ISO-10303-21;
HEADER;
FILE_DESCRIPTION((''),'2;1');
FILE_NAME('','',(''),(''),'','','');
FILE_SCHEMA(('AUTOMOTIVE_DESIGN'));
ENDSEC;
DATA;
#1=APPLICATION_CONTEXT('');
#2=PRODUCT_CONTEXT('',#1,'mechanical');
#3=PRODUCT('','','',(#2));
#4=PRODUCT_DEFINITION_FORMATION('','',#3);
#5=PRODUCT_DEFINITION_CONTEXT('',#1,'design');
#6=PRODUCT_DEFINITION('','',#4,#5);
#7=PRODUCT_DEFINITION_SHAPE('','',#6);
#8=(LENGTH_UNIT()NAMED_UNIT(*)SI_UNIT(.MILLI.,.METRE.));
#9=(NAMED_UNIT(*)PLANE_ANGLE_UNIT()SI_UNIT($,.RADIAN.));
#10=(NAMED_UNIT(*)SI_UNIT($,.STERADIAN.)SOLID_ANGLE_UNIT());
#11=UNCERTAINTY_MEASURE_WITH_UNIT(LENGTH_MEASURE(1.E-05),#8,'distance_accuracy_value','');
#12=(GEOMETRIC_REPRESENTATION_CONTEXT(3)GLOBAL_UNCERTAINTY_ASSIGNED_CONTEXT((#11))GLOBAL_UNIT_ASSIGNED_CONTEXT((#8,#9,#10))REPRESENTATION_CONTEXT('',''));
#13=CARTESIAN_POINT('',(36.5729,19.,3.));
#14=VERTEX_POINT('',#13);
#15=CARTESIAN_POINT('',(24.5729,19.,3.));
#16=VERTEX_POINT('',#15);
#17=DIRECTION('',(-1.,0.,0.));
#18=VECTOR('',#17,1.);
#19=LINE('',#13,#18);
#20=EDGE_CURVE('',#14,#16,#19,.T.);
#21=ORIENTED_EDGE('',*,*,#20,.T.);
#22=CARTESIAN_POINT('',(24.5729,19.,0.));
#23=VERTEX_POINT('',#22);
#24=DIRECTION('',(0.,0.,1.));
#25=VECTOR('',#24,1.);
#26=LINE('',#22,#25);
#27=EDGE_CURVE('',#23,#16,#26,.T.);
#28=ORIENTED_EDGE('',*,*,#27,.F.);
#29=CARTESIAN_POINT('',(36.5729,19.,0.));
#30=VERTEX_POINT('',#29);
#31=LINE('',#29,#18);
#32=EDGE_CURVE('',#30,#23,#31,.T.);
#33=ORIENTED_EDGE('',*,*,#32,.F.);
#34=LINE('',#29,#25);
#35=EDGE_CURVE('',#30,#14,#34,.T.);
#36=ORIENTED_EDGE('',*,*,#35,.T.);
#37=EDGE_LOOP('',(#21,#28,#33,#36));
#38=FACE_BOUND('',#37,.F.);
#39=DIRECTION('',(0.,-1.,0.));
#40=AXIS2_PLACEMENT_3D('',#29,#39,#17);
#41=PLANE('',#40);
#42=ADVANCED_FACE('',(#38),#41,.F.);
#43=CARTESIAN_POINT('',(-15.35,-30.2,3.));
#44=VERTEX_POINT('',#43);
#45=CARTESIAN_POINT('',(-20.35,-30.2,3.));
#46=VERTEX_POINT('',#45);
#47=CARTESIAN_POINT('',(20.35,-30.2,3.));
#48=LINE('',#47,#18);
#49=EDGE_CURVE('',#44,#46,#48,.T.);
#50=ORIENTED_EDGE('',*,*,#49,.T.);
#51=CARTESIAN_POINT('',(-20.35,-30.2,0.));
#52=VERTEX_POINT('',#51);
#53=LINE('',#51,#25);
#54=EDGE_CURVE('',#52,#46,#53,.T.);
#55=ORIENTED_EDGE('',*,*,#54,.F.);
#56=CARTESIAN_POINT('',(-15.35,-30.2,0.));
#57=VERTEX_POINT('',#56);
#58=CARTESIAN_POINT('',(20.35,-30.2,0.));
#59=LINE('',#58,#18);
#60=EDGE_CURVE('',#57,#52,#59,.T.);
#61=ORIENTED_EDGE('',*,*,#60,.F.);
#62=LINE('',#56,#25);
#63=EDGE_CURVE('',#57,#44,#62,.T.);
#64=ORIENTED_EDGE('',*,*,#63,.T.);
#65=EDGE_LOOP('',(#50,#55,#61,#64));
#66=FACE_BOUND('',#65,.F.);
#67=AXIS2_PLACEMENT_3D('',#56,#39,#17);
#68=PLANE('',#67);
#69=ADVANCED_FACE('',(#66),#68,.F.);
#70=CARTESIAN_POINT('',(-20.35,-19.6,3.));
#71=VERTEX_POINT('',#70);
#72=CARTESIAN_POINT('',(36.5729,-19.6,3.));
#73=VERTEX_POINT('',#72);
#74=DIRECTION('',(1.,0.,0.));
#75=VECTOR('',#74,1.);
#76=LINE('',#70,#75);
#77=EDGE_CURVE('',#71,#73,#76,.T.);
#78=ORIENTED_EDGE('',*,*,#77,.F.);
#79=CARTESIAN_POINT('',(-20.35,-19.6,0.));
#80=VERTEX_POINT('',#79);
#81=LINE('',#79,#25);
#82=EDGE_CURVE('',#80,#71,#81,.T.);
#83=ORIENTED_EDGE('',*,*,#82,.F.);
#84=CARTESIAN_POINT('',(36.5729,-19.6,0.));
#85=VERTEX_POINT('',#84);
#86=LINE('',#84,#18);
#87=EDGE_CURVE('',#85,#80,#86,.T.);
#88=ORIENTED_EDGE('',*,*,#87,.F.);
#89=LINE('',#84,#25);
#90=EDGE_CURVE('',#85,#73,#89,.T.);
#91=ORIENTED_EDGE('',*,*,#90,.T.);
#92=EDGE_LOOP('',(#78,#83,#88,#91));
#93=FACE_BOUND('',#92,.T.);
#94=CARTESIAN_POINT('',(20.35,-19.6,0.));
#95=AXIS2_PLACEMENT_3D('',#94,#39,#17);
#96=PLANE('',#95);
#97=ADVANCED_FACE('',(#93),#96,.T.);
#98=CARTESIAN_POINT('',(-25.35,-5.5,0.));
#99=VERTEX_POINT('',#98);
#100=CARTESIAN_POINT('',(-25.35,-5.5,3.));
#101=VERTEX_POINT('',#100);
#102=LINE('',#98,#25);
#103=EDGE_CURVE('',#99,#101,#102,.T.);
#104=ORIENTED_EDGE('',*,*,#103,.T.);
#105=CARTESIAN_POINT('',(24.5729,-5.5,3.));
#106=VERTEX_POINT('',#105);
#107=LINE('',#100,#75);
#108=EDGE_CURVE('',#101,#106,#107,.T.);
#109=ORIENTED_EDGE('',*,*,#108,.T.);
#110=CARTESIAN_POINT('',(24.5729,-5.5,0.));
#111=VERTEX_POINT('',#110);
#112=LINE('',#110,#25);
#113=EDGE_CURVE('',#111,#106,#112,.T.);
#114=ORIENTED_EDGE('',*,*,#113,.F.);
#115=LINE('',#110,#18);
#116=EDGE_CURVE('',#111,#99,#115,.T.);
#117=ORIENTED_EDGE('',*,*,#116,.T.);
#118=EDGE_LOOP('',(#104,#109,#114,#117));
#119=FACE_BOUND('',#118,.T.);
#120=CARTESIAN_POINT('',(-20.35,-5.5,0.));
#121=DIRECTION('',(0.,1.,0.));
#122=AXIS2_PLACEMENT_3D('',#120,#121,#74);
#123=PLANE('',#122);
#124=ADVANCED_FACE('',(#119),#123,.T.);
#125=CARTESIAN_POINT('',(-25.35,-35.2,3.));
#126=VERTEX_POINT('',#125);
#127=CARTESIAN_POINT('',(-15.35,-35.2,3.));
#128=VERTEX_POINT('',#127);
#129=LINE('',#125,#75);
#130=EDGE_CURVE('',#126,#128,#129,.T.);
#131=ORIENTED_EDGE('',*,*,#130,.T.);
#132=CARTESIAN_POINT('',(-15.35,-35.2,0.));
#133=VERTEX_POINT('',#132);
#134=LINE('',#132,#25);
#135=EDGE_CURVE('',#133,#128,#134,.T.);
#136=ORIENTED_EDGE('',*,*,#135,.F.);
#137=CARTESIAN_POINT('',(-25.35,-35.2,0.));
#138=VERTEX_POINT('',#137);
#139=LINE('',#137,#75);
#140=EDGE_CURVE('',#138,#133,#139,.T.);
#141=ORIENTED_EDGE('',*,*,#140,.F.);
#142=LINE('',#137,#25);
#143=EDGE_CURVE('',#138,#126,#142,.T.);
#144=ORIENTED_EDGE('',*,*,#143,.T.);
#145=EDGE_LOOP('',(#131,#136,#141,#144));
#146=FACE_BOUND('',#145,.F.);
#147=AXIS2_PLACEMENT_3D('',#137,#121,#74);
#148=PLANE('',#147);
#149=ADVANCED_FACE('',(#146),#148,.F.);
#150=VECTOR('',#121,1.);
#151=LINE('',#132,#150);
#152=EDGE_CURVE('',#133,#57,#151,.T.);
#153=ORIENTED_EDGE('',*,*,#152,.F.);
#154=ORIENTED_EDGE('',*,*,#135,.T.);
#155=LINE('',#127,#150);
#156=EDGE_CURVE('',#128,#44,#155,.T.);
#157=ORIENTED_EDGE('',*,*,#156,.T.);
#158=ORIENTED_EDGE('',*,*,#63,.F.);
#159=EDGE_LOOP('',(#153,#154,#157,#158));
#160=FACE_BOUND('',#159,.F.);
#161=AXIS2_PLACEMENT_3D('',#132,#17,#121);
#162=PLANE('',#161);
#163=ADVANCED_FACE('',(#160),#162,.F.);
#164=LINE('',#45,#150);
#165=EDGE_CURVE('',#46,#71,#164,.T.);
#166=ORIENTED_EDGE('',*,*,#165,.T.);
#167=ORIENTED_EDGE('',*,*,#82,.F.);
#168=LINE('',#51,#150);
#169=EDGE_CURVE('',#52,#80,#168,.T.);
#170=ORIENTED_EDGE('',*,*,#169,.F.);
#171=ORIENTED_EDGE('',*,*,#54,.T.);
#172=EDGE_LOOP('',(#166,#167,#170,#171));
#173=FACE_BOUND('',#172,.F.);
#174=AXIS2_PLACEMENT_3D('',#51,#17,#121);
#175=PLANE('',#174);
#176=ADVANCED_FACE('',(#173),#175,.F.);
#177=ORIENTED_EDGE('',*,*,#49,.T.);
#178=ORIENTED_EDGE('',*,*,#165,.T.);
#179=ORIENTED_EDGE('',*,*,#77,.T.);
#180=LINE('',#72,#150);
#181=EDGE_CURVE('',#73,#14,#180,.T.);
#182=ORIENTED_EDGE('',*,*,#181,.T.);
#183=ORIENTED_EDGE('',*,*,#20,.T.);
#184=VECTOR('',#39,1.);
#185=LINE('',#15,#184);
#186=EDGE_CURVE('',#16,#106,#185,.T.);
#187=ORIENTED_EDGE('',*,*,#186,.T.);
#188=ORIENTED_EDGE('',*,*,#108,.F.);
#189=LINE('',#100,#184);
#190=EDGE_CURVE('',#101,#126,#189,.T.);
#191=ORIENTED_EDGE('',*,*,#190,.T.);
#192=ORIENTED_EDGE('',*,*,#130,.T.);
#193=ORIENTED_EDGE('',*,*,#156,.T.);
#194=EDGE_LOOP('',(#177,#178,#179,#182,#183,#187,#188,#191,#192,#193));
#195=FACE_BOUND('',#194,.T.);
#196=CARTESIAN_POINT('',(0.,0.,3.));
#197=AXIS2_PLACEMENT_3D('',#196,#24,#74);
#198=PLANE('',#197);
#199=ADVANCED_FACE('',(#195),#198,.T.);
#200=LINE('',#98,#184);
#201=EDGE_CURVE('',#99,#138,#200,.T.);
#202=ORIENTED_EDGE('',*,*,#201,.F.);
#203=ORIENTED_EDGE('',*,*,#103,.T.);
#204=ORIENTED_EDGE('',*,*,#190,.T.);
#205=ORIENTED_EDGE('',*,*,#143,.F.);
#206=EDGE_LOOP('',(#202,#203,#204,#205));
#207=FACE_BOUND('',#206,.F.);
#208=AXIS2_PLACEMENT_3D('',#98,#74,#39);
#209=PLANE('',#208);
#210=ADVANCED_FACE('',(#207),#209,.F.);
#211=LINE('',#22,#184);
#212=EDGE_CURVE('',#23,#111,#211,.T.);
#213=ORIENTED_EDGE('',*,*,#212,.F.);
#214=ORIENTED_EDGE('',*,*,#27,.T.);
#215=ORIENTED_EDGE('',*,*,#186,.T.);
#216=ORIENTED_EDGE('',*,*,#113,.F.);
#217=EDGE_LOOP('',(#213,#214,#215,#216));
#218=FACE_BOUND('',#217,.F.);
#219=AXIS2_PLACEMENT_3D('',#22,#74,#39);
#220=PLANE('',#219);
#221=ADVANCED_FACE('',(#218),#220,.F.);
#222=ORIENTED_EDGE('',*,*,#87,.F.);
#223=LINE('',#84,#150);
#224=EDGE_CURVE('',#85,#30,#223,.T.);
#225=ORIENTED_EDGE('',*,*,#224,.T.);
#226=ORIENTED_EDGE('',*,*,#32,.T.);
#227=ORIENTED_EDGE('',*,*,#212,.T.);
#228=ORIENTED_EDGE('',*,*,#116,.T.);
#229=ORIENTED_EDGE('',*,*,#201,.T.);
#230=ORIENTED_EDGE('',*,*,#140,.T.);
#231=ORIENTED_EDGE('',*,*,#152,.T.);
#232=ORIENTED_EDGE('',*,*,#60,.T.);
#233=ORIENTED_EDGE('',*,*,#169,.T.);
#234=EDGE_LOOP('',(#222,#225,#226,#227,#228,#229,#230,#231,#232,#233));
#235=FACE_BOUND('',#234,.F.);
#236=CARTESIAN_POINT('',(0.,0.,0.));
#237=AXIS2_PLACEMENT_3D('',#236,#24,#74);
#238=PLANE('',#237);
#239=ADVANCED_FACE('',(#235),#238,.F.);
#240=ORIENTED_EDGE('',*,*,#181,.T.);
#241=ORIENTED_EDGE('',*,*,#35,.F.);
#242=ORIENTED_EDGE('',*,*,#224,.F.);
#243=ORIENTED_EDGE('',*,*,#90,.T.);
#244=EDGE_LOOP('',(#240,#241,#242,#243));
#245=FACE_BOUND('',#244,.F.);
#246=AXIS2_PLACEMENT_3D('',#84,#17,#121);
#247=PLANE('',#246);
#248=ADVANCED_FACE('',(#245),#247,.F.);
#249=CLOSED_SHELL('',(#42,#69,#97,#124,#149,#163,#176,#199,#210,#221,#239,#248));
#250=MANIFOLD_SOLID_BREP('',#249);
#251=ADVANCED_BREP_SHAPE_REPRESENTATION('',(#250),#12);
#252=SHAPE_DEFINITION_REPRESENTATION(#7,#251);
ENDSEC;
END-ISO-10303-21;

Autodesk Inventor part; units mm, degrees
ref_plane "YZ Plane" through (0, 0, 0) normal (1, 0, 0) x (0, 1, 0)
ref_plane "XZ Plane" through (0, 0, 0) normal (0, 1, 0) x (-1, 0, 0)
ref_plane "XY Plane" through (0, 0, 0) normal (0, 0, 1) x (1, 0, 0)
ref_plane "Work Plane1" through (0, 0, 0) normal (0, 0, 1) x (1, 0, 0)
sketch "Sketch1" plane through (0, 0, 0) normal (0, 0, 1) x (1, 0, 0)
  line L0 (10, -5.5) -> (10, 39) construction
  line L1 (-10, 39) -> (10, 39) construction
  line L2 (-10, -5.5) -> (-10, 39) construction
  line L3 (-20.35, -5.5) -> (-10, -5.5) projected
  line L4 (-20.35, -19.6) -> (-20.35, -5.5) projected
  line L5 (20.35, -19.6) -> (-20.35, -19.6) projected
  line L6 (20.35, -19.6) -> (20.35, -5.5) projected
  line L7 (10, -5.5) -> (20.35, -5.5) projected
  line L8 (-20.35, -30.2) -> (-20.35, 45.6) projected
  line L9 (20.35, -30.2) -> (-20.35, -30.2) projected
  line L10 (-10, -5.5) -> (10, -5.5)
  line L11 (-20.35, -5.5) -> (-25.35, -5.5)
  line L12 (-25.35, -5.5) -> (-25.35, -35.2)
  line L13 (-25.35, -35.2) -> (-15.35, -35.2)
  line L14 (-15.35, -35.2) -> (-15.35, -30.2)
  line L15 (20.35, -19.6) -> (36.5729, -19.6)
  line L16 (36.5729, -19.6) -> (36.5729, 19)
  line L17 (36.5729, 19) -> (24.5729, 19)
  line L18 (24.5729, 19) -> (24.5729, -5.5)
  line L19 (24.5729, -5.5) -> (20.35, -5.5)
  line L20 (36.5729, 7) -> (24.5729, 7) construction
  line L21 (24.5729, 7) -> (24.5729, 19) construction
  line L22 (24.5729, 19) -> (36.5729, 19) construction
  line L23 (36.5729, 19) -> (36.5729, 7) construction
  point P0 (0, 0)
  dimension "d0" = 5
  dimension "d1" = 5
  dimension "d2" = 5
extrude "Extrusion1" add sketch "Sketch1" along normal blind 3
sketch "Sketch2" plane through (0, 0, 3) normal (0, 0, 1) x (1, 0, 0)
  line L0 (-15.35, -35.2) -> (-15.35, -30.2) projected
  line L1 (-15.35, -30.2) -> (-20.35, -30.2) projected
  line L2 (-20.35, -30.2) -> (-20.35, -19.6) projected
  line L3 (-20.35, -19.6) -> (36.5729, -19.6) projected
  line L4 (36.5729, -19.6) -> (36.5729, 19) projected
  line L5 (36.5729, 19) -> (24.5729, 19) projected
  line L6 (24.5729, 19) -> (24.5729, -5.5) projected
  line L7 (24.5729, -5.5) -> (-25.35, -5.5) projected
  line L8 (-25.35, -5.5) -> (-25.35, -35.2) projected
  line L9 (-25.35, -35.2) -> (-15.35, -35.2) projected
  point P0 (0, 0)
equation "\"d1\" = d0"
equation "\"d2\" = d0"
properties part number "Button Bracket 1" material "Wood (Oak)"
